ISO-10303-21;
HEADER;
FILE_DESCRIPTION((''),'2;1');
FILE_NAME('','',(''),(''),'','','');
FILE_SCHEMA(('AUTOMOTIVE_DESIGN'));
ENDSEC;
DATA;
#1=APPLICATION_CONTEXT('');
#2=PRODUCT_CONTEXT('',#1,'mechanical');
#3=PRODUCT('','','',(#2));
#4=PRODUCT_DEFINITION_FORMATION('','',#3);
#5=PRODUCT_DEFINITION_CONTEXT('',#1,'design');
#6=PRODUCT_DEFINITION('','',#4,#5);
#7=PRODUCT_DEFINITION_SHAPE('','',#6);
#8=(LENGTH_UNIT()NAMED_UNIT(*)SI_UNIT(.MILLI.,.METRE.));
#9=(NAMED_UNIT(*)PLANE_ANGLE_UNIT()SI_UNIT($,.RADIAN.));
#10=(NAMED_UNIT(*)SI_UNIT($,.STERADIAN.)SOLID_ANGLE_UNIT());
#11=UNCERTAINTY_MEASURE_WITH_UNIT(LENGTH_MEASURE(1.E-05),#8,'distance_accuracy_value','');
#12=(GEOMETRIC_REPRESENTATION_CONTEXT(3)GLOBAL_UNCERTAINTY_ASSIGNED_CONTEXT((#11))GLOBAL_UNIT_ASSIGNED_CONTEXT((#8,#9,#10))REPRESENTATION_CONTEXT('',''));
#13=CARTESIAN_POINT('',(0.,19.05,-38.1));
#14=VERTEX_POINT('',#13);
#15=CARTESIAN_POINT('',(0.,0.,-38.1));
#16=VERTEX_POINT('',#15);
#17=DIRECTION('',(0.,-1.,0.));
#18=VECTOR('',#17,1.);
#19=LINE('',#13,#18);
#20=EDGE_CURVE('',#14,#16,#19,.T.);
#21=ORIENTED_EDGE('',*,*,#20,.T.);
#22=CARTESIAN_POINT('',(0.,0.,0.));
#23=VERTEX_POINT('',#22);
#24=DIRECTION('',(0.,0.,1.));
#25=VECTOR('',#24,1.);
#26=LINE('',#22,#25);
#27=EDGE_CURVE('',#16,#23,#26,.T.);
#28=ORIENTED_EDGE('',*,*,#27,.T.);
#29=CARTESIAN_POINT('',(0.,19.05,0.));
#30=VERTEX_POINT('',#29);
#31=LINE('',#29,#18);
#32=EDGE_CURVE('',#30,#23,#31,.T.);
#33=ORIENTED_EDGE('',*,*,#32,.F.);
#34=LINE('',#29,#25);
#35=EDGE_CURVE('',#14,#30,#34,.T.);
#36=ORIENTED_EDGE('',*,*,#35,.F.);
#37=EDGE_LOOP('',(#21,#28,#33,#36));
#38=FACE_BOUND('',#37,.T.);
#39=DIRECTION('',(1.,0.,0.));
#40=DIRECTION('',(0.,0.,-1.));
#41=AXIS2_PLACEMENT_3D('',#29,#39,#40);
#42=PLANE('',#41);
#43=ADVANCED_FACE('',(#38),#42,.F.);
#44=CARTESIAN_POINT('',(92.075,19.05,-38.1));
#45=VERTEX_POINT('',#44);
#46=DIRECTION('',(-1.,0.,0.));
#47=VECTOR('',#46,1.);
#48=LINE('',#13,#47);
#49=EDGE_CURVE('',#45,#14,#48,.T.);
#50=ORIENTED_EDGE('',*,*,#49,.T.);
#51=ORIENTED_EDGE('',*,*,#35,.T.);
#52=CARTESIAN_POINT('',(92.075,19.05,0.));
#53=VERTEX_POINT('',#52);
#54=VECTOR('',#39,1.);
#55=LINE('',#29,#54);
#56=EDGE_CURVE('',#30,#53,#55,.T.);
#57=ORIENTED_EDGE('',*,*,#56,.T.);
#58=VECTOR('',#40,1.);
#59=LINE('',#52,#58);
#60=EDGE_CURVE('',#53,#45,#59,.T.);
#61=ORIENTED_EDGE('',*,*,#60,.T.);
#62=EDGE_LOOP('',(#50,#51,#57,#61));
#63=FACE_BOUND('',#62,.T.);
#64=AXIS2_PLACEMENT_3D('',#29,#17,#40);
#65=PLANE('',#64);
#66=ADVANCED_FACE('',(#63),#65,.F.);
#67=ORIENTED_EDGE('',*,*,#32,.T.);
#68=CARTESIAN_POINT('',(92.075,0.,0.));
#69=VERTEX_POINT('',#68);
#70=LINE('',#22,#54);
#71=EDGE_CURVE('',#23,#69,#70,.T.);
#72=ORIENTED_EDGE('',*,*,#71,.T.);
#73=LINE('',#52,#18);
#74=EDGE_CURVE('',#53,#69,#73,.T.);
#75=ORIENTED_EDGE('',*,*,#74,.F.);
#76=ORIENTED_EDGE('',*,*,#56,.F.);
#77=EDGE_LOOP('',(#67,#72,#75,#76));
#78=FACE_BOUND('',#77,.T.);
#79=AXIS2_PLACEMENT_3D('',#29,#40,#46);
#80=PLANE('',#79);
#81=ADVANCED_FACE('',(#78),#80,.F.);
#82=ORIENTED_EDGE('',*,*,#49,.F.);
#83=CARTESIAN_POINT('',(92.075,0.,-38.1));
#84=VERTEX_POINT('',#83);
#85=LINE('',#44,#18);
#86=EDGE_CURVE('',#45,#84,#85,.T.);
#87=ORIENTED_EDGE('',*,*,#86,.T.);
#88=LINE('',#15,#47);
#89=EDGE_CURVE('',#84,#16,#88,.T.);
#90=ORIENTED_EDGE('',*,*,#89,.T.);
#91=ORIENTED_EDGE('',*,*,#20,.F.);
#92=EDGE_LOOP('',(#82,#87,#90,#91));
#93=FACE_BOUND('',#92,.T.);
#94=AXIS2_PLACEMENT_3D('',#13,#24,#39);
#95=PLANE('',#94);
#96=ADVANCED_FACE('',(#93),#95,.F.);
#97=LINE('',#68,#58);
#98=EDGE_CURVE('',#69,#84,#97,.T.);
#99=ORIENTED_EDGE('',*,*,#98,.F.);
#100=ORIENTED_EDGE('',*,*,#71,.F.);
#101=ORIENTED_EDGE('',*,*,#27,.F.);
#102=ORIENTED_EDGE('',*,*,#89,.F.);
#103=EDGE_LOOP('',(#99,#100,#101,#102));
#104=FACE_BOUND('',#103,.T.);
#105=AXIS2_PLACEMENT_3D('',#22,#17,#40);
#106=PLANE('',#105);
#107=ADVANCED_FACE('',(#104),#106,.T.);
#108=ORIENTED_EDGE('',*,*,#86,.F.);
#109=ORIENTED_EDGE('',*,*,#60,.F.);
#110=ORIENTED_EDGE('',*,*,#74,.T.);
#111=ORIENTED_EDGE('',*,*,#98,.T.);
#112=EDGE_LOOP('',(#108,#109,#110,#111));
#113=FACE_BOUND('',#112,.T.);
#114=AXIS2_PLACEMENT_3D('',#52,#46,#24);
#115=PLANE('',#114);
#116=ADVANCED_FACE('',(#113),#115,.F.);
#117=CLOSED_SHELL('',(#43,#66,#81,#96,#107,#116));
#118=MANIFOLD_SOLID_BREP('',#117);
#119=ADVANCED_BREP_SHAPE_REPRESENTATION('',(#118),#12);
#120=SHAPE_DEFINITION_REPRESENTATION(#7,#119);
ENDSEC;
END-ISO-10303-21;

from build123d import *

# Parameters (mm, degrees)
SKETCH1_W           = 92.075
SKETCH1_H           = 38.1
BOSS_EXTRUDE1_DEPTH = 19.05


with BuildPart() as part:
    # Sketch1 → Boss-Extrude1 (new body)
    with BuildSketch(Plane(origin=(0, 0, 0), x_dir=(1, 0, 0), z_dir=(0, 1, 0))):
        with Locations((46.0375, 19.05)):
            Rectangle(SKETCH1_W, SKETCH1_H)
    extrude(amount=BOSS_EXTRUDE1_DEPTH)


solid = part.part
